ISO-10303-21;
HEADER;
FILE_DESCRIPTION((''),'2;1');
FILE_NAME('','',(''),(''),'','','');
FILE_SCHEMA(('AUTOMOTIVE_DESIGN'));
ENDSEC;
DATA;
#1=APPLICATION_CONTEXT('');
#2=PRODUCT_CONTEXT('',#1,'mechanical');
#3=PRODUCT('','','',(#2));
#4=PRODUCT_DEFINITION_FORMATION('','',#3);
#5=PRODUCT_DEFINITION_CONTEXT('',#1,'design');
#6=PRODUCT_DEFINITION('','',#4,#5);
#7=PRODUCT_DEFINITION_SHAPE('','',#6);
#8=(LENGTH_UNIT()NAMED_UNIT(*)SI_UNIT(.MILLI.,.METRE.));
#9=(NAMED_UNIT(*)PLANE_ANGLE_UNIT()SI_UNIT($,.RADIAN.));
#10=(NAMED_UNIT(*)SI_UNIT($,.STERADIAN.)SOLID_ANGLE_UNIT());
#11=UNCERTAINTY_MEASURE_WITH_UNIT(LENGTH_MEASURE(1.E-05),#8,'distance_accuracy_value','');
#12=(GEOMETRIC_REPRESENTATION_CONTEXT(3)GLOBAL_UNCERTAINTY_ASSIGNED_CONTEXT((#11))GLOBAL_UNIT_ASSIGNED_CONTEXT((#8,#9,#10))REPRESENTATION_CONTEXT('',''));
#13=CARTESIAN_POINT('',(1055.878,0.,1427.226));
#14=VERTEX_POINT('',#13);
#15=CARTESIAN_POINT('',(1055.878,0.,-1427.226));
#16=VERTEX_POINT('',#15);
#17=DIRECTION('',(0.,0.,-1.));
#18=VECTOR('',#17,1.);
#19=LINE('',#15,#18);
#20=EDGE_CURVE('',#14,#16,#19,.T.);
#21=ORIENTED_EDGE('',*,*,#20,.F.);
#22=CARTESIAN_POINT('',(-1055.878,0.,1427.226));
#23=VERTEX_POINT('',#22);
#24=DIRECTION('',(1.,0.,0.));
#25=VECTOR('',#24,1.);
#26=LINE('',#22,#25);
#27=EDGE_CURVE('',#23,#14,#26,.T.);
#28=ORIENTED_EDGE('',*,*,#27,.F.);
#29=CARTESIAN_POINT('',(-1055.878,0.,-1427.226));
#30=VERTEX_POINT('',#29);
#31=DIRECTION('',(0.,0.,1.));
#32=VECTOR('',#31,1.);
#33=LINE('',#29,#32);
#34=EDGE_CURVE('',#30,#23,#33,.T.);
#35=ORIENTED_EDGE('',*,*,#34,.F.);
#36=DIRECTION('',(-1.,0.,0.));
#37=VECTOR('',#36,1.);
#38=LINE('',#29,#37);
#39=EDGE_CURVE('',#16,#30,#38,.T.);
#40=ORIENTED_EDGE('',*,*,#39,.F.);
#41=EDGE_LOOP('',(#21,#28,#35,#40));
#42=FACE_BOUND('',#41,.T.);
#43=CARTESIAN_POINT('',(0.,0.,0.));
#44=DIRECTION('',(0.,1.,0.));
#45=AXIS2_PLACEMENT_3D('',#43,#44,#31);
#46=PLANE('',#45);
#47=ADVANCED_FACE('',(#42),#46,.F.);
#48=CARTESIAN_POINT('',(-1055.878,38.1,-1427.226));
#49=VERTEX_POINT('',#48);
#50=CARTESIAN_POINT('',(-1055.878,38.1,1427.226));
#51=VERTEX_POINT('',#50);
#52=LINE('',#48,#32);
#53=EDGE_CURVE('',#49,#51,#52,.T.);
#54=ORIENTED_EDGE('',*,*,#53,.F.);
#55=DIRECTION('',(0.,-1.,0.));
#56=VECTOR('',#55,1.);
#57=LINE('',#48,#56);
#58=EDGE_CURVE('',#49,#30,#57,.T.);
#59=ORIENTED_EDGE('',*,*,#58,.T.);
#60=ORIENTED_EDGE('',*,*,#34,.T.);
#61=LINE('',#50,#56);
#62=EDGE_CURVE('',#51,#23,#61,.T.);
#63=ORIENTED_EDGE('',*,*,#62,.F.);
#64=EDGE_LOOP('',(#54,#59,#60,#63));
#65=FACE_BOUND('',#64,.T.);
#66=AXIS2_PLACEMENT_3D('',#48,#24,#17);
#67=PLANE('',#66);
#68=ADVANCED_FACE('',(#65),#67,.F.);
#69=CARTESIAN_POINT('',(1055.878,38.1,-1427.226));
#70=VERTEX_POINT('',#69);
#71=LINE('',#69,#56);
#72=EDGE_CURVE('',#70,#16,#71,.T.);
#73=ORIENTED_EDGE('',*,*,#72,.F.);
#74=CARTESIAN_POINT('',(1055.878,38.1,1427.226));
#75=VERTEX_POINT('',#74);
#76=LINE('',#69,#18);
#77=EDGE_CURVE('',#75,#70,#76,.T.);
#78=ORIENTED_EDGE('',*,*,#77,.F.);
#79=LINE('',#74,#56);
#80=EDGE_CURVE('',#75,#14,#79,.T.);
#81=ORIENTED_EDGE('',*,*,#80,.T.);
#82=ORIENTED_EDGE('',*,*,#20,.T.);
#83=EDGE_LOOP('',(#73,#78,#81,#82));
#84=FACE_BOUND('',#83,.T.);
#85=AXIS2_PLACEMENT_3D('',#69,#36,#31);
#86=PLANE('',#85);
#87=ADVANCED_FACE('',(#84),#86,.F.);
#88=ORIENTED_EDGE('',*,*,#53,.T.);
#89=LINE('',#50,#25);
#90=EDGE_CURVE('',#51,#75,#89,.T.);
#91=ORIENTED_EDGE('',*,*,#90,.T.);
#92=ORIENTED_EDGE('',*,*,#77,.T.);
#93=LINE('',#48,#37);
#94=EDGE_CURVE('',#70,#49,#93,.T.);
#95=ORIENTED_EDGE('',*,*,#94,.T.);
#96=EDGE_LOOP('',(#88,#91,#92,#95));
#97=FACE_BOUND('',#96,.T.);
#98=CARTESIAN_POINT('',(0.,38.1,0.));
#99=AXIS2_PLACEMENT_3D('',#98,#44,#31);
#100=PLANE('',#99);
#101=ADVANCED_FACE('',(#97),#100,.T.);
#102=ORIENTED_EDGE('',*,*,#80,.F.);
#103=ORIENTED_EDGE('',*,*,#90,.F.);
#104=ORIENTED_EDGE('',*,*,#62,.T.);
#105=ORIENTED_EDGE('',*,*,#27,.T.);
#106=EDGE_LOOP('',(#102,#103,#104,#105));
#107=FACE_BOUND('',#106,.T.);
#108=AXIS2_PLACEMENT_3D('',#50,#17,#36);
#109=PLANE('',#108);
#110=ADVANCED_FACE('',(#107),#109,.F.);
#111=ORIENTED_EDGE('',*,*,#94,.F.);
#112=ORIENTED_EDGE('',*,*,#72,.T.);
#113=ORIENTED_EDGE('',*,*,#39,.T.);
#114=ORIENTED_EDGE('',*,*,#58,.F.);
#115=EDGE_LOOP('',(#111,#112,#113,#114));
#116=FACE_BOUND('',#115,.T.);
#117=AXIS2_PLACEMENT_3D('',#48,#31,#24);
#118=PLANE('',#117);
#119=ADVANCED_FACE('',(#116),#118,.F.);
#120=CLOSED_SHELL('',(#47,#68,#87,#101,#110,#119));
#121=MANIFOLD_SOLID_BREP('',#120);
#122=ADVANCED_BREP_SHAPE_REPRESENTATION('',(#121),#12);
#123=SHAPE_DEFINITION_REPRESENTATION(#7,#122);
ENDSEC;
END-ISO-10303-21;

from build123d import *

# Parameters (mm, degrees)
SKETCH1_W           = 2111.756
SKETCH1_H           = 2854.452
BOSS_EXTRUDE1_DEPTH = 38.1


with BuildPart() as part:
    # Sketch1 → Boss-Extrude1 (new body)
    with BuildSketch(Plane(origin=(0, 0, 0), x_dir=(1, 0, 0), z_dir=(0, 1, 0))):
        Rectangle(SKETCH1_W, SKETCH1_H)
    extrude(amount=BOSS_EXTRUDE1_DEPTH)


solid = part.part
